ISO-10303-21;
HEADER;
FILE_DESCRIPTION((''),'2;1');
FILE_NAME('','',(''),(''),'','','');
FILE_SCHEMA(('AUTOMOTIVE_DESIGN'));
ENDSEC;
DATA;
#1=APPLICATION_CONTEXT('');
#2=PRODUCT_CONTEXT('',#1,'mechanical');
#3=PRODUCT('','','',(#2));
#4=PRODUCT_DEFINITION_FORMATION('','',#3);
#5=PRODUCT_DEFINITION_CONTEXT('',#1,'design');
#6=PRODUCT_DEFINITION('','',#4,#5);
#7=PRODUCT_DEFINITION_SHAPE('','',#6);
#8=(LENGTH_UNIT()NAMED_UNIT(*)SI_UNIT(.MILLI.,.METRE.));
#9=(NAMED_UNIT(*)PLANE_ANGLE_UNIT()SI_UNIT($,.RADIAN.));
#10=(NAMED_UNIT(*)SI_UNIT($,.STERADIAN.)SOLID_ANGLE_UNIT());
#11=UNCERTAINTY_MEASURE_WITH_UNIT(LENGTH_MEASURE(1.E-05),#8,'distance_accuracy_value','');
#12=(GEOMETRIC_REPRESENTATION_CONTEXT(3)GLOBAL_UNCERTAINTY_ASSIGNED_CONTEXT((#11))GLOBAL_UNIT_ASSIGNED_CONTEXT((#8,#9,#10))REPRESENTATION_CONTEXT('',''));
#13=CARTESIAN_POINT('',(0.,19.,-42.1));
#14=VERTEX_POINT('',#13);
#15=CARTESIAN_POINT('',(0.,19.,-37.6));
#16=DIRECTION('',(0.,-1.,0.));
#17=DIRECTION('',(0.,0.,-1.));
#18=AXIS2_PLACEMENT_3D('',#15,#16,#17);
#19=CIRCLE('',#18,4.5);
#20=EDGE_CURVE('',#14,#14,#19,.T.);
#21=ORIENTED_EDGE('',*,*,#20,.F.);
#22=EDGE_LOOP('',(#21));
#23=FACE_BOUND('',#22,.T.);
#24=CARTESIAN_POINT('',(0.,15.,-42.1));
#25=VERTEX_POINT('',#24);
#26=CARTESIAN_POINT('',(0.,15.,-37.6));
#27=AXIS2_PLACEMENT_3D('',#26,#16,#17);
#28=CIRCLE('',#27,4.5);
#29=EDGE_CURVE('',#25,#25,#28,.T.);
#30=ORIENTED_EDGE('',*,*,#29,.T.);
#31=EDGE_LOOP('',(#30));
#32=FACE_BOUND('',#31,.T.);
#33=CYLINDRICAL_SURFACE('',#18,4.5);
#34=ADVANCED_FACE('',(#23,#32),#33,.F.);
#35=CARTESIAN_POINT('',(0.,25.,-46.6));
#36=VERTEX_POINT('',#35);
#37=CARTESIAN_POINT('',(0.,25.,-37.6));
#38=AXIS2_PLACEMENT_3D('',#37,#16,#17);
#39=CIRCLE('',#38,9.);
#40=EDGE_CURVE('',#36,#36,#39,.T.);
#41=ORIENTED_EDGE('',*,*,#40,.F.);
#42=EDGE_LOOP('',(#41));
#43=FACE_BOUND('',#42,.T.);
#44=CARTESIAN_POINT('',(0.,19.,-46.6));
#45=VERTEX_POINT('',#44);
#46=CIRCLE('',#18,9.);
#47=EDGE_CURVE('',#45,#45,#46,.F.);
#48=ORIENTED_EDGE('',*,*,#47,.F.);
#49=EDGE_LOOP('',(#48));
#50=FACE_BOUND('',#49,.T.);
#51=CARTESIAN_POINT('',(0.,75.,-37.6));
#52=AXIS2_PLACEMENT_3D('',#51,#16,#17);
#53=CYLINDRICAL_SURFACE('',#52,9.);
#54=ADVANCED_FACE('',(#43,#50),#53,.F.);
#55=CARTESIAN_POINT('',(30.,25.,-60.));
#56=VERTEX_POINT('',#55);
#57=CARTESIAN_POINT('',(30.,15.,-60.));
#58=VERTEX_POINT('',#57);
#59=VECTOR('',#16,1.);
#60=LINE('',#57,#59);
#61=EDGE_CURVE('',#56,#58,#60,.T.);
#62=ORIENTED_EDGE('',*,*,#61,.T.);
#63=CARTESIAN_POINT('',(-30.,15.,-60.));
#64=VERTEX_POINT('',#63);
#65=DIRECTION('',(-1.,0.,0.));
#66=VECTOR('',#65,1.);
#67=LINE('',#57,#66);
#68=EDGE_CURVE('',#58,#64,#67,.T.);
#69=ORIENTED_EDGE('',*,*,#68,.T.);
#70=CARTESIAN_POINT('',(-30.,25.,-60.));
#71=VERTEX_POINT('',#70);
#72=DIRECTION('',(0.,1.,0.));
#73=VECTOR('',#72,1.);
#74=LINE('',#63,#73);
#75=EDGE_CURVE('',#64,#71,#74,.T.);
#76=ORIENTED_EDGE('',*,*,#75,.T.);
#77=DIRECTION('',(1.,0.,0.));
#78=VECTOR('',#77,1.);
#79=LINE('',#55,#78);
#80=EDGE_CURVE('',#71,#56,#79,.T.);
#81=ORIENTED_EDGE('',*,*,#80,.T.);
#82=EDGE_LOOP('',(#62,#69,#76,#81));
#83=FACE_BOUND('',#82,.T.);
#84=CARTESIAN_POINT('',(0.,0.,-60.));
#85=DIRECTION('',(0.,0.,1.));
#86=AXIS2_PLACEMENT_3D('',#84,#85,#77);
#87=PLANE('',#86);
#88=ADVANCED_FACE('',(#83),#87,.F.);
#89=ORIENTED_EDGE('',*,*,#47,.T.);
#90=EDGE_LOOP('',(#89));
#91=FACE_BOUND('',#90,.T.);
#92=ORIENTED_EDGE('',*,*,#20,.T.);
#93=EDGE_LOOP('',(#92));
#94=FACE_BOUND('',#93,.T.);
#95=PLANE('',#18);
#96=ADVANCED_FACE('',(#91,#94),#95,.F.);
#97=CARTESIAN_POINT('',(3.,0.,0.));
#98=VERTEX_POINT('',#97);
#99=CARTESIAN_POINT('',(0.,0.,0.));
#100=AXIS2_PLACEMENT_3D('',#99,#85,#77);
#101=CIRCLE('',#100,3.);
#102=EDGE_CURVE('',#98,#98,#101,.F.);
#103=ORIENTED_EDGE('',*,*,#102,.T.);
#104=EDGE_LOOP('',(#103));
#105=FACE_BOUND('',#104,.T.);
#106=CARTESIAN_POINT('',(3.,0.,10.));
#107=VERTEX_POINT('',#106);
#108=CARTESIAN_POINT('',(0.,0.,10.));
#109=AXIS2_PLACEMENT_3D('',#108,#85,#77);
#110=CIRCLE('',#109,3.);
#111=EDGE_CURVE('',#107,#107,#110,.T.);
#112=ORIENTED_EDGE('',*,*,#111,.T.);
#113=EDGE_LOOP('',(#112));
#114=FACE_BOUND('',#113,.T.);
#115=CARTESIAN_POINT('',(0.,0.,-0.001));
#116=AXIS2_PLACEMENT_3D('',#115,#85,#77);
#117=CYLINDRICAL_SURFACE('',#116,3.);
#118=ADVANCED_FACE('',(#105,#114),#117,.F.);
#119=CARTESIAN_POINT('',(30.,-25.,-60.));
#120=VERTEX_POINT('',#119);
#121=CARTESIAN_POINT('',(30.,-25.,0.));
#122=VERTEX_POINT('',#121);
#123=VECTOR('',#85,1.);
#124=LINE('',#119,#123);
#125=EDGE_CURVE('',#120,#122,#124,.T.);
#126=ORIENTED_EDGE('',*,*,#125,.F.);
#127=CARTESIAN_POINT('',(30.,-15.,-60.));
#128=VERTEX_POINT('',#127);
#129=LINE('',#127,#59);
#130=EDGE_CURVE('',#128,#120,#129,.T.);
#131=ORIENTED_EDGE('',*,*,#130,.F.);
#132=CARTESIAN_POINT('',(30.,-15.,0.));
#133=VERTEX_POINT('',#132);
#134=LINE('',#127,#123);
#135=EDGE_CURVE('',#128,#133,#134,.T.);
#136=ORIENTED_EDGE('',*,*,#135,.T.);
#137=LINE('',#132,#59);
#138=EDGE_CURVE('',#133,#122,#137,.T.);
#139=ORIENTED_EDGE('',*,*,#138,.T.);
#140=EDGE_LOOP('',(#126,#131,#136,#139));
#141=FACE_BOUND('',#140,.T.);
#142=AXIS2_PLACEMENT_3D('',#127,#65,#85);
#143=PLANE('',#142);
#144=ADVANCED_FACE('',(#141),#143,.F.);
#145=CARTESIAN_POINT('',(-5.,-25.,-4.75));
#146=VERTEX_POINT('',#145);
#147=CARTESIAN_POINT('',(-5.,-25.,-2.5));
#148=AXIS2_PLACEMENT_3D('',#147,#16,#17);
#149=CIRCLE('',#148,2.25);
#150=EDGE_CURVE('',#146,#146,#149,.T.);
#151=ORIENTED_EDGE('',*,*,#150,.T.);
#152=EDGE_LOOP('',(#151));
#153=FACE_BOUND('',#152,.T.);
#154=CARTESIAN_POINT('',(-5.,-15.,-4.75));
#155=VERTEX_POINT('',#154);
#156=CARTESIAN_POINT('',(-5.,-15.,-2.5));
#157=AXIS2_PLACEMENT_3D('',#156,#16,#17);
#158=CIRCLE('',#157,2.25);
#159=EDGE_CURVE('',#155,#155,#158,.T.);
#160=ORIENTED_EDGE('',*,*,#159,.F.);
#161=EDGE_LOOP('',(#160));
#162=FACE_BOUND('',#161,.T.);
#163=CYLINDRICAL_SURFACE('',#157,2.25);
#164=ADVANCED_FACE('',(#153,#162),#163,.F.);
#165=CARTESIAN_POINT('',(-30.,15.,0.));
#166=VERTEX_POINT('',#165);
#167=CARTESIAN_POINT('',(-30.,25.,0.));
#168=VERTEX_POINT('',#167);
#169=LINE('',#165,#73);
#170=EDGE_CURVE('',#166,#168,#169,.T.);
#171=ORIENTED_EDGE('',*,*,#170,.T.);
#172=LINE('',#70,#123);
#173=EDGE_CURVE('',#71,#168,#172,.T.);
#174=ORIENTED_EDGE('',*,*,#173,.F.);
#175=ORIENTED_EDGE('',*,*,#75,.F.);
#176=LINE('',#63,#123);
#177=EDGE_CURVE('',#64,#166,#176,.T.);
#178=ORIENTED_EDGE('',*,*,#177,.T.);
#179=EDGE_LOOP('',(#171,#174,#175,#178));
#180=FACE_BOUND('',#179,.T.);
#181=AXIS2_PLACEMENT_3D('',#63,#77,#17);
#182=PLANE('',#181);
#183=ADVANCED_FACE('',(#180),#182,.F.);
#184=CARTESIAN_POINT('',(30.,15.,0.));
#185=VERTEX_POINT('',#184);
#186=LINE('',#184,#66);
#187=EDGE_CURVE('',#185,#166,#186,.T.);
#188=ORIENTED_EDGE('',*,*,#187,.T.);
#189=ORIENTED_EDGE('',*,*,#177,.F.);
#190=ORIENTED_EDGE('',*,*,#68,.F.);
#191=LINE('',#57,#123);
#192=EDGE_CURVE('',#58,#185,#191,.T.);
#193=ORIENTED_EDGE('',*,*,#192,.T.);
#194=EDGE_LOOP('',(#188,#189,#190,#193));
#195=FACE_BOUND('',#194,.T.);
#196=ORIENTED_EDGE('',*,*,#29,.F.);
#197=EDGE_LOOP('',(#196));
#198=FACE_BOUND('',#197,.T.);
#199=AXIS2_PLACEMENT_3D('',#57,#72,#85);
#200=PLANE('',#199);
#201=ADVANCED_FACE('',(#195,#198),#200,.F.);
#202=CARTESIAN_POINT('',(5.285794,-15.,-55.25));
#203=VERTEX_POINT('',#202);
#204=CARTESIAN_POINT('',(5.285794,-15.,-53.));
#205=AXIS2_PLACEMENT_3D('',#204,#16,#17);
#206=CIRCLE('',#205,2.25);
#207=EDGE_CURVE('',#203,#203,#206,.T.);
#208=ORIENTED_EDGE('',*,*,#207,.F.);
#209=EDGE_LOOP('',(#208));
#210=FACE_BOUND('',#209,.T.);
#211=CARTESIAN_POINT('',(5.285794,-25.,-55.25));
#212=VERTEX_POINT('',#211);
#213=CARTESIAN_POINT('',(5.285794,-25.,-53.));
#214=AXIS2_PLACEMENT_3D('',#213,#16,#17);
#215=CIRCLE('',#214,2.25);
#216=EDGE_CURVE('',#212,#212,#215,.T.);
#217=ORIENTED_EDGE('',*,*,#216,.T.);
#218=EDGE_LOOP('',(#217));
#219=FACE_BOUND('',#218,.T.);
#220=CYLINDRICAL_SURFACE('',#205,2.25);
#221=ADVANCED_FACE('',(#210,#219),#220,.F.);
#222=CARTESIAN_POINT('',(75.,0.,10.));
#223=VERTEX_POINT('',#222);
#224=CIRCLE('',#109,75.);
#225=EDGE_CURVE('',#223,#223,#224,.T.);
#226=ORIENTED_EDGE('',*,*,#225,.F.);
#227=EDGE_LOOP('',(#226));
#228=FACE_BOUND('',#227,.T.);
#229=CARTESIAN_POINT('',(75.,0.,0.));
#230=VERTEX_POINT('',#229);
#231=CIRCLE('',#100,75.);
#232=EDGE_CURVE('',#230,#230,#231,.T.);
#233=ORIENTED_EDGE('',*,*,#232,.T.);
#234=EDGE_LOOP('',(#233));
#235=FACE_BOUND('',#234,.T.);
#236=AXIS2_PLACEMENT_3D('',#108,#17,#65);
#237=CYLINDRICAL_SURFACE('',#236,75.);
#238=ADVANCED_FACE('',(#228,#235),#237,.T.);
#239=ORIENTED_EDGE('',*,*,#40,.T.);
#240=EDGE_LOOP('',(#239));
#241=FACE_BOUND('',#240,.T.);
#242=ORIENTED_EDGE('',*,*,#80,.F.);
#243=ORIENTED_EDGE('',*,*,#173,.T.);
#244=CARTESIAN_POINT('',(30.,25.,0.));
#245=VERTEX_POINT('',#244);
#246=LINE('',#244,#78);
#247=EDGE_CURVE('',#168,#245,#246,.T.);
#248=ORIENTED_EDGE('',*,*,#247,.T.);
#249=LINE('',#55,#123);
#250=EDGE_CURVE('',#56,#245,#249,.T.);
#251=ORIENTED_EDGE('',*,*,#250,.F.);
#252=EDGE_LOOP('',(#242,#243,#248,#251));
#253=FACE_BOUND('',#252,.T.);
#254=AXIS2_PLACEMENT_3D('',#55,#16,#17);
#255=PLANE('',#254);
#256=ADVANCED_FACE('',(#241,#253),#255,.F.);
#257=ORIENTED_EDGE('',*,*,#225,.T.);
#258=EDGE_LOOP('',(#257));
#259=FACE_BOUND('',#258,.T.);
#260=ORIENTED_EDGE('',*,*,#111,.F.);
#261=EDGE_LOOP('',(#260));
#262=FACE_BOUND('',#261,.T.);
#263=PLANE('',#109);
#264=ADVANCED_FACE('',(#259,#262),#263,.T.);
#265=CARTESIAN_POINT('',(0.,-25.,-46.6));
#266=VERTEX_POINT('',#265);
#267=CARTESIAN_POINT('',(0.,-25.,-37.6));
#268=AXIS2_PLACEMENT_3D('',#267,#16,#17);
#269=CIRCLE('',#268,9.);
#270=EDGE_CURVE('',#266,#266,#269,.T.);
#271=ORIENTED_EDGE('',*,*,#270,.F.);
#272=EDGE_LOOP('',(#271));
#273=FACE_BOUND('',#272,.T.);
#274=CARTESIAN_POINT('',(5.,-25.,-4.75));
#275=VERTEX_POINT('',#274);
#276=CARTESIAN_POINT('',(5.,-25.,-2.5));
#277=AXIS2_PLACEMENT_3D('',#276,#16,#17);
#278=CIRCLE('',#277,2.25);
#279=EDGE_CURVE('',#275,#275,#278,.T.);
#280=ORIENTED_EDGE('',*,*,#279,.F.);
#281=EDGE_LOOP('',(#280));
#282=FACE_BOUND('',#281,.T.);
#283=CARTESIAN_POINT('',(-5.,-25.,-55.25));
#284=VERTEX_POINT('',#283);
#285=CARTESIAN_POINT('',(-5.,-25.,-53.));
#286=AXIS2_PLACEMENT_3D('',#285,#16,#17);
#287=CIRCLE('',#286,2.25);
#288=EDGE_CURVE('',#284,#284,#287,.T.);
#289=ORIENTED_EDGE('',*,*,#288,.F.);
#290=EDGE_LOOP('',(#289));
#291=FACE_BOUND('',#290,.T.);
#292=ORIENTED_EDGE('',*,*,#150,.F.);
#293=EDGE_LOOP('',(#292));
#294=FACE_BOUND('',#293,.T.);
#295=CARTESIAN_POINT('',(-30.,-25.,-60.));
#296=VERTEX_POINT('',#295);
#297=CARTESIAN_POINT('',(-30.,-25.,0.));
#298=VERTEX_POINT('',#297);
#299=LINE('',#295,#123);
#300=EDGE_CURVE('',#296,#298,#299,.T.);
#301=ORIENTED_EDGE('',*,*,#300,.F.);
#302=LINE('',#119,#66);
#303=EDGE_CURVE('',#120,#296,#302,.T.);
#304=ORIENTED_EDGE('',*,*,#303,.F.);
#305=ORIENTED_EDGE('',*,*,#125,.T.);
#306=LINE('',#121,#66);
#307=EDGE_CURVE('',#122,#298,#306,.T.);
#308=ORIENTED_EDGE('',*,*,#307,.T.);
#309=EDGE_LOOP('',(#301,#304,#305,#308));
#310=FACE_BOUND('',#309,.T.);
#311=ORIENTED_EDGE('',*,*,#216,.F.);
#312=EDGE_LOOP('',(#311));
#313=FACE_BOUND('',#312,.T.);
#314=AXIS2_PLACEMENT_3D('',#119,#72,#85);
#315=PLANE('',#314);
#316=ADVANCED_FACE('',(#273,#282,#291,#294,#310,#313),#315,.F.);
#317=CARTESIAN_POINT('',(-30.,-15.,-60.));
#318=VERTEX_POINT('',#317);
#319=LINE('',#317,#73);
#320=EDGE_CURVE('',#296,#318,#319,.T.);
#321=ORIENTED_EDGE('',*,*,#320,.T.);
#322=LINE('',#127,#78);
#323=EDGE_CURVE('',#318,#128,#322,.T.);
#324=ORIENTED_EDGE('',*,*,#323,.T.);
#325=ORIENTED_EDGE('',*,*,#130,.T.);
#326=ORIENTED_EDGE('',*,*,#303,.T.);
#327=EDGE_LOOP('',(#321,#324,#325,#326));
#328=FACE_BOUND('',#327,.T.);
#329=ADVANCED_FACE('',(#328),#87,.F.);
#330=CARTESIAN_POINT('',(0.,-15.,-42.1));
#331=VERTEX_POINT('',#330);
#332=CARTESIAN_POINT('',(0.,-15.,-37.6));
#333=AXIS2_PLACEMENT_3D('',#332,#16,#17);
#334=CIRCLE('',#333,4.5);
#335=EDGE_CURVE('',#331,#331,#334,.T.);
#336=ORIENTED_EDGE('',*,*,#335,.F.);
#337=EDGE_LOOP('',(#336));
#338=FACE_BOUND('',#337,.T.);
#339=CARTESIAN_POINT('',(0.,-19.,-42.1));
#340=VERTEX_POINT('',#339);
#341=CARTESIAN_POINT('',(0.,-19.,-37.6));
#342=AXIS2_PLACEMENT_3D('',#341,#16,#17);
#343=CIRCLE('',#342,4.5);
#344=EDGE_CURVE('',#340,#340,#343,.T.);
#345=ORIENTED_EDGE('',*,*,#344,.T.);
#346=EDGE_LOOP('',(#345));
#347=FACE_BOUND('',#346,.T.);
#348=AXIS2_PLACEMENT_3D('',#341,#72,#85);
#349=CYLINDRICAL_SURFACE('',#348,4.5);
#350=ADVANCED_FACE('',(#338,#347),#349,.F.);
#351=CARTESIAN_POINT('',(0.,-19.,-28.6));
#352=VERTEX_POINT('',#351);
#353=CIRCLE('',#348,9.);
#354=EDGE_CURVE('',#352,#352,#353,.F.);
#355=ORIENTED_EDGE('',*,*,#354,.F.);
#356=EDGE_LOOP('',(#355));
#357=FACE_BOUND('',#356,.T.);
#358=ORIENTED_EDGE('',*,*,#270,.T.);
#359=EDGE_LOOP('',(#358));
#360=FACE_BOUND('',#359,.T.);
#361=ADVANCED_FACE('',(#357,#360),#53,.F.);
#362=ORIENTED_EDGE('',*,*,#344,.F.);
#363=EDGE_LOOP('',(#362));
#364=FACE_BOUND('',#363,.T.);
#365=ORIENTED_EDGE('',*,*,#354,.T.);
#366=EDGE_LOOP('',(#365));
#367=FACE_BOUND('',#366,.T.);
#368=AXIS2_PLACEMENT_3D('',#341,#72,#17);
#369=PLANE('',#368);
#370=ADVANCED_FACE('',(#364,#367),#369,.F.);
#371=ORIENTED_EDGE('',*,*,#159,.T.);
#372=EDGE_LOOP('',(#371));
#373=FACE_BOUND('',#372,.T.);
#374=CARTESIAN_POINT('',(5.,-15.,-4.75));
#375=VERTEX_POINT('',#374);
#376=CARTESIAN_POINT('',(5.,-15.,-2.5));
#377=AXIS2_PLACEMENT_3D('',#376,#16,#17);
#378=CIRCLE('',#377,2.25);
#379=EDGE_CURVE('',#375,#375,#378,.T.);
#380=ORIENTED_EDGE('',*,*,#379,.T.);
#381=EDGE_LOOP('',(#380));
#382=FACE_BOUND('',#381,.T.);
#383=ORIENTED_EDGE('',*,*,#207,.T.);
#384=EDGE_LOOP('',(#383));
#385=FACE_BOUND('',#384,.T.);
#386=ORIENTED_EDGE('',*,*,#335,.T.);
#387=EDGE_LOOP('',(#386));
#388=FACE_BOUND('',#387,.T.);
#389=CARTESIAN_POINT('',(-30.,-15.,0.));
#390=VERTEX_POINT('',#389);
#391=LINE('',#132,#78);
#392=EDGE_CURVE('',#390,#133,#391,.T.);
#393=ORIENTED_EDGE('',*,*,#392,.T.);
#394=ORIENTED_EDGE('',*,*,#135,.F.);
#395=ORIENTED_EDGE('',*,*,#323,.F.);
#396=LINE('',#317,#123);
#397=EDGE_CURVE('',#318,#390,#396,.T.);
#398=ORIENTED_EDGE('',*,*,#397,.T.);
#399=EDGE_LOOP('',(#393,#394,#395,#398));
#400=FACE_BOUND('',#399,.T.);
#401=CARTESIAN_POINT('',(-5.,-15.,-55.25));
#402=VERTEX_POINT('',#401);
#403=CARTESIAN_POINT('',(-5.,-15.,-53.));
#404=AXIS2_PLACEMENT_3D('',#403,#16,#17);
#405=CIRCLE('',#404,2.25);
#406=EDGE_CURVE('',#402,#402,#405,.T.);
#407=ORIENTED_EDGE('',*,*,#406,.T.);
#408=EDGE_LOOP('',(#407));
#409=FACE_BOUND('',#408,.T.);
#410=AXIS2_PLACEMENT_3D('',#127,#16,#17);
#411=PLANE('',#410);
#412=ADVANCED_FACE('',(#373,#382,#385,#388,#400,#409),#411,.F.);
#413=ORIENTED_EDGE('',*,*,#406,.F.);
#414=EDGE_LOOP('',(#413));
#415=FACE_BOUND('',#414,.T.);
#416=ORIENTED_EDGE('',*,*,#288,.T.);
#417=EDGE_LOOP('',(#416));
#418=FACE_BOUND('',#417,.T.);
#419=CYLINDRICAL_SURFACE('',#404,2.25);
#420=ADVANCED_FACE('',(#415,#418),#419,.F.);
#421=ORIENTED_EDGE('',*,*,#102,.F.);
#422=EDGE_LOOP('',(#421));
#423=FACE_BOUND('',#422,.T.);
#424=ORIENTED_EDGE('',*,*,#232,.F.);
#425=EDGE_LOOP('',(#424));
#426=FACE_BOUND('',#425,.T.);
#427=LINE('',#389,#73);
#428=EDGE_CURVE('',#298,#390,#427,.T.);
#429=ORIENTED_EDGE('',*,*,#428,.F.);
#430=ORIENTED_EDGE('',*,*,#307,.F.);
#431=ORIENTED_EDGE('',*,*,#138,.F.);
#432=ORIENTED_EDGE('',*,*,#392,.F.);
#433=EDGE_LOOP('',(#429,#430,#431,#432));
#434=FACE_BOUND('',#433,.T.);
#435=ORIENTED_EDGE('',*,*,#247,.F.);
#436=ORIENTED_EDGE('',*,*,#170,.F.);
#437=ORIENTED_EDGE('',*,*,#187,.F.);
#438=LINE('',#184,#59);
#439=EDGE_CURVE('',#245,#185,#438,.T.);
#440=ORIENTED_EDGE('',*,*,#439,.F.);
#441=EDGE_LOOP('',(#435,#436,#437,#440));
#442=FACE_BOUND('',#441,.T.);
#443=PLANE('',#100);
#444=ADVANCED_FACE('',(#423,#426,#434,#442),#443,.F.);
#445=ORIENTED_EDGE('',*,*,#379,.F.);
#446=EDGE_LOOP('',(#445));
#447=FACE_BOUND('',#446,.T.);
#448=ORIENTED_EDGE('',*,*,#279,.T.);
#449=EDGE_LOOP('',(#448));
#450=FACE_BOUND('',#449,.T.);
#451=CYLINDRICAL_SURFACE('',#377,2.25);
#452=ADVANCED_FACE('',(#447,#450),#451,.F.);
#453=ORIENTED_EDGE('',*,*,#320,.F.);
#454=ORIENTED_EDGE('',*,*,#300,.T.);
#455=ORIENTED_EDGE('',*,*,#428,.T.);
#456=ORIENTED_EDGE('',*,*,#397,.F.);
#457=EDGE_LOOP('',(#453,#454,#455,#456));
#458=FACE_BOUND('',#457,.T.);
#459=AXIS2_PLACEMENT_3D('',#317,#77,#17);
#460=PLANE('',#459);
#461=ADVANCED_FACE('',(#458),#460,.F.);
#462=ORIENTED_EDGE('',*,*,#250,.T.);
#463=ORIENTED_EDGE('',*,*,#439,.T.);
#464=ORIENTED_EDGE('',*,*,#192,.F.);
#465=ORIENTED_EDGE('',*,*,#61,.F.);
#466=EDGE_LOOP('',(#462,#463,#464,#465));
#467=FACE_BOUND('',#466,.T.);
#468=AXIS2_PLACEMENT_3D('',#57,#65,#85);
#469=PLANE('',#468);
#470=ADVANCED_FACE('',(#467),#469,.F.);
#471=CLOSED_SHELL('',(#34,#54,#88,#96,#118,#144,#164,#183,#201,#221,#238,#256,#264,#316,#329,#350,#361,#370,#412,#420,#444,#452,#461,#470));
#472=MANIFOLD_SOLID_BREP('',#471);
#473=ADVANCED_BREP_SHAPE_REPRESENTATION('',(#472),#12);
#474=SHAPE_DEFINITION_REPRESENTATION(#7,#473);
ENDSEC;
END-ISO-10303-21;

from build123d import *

# Parameters (mm, degrees)
SKETCH1_R           = 75
BOSS_EXTRUDE1_DEPTH = 10
CUT_EXTRUDE1_REACH  = 12
SKETCH2_R           = 3
SKETCH3_W           = 60
SKETCH3_H           = 10
BOSS_EXTRUDE2_DEPTH = 60
SKETCH4_R           = 9
CUT_EXTRUDE2_DEPTH  = 101
SKETCH6_R           = 9
SKETCH6_R_2         = 4.5
BOSS_EXTRUDE3_DEPTH = 4
SKETCH9_R           = 2.25
CUT_EXTRUDE5_DEPTH  = 10


with BuildPart() as part:
    # Sketch1 → Boss-Extrude1 (new body)
    with BuildSketch(Plane.XY):
        Circle(SKETCH1_R)
    extrude(amount=BOSS_EXTRUDE1_DEPTH)

    # Sketch2 → Cut-Extrude1 (cut, up to next)
    with BuildSketch(Plane.XY.offset(10), mode=Mode.PRIVATE) as cut_extrude1_sk1:
        Circle(SKETCH2_R)
    cut_extrude1_tool1 = extrude(cut_extrude1_sk1.sketch, amount=-CUT_EXTRUDE1_REACH, mode=Mode.PRIVATE) & part.part
    add(cut_extrude1_tool1.solids().sort_by_distance((0, 0, 10))[0], mode=Mode.SUBTRACT)

    # Sketch3 → Boss-Extrude2 (add)
    with BuildSketch(Plane(origin=(0, 0, 0), x_dir=(-1, 0, 0), z_dir=(0, 0, -1))):
        with Locations((0, 20)):
            Rectangle(SKETCH3_W, SKETCH3_H)
        with Locations((0, -20)):
            Rectangle(SKETCH3_W, SKETCH3_H)
    extrude(amount=BOSS_EXTRUDE2_DEPTH)

    # Sketch4 → Cut-Extrude2 (cut, through all)
    with BuildSketch(Plane.XZ.offset(25)):
        with Locations((0, -37.6)):
            Circle(SKETCH4_R)
    extrude(amount=-CUT_EXTRUDE2_DEPTH, mode=Mode.SUBTRACT)

    # Sketch6 → Boss-Extrude3 (add)
    with BuildSketch(Plane.XZ.offset(-15)):
        with Locations((0, -37.6)):
            Circle(SKETCH6_R)
        with Locations((0, -37.6)):
            Circle(SKETCH6_R_2, mode=Mode.SUBTRACT)
    boss_extrude3 = extrude(amount=-BOSS_EXTRUDE3_DEPTH)

    # Sketch9 → Cut-Extrude5 (cut)
    with BuildSketch(Plane.XZ.offset(25)):
        with Locations((-5, -2.5)):
            Circle(SKETCH9_R)
        with Locations((5, -2.5)):
            Circle(SKETCH9_R)
        with Locations((-5, -53)):
            Circle(SKETCH9_R)
        with Locations((5.285793913, -53)):
            Circle(SKETCH9_R)
    extrude(amount=-CUT_EXTRUDE5_DEPTH, mode=Mode.SUBTRACT)

    # Mirror1: Boss-Extrude3 across plane
    add(boss_extrude3.mirror(Plane.ZX))


solid = part.part
